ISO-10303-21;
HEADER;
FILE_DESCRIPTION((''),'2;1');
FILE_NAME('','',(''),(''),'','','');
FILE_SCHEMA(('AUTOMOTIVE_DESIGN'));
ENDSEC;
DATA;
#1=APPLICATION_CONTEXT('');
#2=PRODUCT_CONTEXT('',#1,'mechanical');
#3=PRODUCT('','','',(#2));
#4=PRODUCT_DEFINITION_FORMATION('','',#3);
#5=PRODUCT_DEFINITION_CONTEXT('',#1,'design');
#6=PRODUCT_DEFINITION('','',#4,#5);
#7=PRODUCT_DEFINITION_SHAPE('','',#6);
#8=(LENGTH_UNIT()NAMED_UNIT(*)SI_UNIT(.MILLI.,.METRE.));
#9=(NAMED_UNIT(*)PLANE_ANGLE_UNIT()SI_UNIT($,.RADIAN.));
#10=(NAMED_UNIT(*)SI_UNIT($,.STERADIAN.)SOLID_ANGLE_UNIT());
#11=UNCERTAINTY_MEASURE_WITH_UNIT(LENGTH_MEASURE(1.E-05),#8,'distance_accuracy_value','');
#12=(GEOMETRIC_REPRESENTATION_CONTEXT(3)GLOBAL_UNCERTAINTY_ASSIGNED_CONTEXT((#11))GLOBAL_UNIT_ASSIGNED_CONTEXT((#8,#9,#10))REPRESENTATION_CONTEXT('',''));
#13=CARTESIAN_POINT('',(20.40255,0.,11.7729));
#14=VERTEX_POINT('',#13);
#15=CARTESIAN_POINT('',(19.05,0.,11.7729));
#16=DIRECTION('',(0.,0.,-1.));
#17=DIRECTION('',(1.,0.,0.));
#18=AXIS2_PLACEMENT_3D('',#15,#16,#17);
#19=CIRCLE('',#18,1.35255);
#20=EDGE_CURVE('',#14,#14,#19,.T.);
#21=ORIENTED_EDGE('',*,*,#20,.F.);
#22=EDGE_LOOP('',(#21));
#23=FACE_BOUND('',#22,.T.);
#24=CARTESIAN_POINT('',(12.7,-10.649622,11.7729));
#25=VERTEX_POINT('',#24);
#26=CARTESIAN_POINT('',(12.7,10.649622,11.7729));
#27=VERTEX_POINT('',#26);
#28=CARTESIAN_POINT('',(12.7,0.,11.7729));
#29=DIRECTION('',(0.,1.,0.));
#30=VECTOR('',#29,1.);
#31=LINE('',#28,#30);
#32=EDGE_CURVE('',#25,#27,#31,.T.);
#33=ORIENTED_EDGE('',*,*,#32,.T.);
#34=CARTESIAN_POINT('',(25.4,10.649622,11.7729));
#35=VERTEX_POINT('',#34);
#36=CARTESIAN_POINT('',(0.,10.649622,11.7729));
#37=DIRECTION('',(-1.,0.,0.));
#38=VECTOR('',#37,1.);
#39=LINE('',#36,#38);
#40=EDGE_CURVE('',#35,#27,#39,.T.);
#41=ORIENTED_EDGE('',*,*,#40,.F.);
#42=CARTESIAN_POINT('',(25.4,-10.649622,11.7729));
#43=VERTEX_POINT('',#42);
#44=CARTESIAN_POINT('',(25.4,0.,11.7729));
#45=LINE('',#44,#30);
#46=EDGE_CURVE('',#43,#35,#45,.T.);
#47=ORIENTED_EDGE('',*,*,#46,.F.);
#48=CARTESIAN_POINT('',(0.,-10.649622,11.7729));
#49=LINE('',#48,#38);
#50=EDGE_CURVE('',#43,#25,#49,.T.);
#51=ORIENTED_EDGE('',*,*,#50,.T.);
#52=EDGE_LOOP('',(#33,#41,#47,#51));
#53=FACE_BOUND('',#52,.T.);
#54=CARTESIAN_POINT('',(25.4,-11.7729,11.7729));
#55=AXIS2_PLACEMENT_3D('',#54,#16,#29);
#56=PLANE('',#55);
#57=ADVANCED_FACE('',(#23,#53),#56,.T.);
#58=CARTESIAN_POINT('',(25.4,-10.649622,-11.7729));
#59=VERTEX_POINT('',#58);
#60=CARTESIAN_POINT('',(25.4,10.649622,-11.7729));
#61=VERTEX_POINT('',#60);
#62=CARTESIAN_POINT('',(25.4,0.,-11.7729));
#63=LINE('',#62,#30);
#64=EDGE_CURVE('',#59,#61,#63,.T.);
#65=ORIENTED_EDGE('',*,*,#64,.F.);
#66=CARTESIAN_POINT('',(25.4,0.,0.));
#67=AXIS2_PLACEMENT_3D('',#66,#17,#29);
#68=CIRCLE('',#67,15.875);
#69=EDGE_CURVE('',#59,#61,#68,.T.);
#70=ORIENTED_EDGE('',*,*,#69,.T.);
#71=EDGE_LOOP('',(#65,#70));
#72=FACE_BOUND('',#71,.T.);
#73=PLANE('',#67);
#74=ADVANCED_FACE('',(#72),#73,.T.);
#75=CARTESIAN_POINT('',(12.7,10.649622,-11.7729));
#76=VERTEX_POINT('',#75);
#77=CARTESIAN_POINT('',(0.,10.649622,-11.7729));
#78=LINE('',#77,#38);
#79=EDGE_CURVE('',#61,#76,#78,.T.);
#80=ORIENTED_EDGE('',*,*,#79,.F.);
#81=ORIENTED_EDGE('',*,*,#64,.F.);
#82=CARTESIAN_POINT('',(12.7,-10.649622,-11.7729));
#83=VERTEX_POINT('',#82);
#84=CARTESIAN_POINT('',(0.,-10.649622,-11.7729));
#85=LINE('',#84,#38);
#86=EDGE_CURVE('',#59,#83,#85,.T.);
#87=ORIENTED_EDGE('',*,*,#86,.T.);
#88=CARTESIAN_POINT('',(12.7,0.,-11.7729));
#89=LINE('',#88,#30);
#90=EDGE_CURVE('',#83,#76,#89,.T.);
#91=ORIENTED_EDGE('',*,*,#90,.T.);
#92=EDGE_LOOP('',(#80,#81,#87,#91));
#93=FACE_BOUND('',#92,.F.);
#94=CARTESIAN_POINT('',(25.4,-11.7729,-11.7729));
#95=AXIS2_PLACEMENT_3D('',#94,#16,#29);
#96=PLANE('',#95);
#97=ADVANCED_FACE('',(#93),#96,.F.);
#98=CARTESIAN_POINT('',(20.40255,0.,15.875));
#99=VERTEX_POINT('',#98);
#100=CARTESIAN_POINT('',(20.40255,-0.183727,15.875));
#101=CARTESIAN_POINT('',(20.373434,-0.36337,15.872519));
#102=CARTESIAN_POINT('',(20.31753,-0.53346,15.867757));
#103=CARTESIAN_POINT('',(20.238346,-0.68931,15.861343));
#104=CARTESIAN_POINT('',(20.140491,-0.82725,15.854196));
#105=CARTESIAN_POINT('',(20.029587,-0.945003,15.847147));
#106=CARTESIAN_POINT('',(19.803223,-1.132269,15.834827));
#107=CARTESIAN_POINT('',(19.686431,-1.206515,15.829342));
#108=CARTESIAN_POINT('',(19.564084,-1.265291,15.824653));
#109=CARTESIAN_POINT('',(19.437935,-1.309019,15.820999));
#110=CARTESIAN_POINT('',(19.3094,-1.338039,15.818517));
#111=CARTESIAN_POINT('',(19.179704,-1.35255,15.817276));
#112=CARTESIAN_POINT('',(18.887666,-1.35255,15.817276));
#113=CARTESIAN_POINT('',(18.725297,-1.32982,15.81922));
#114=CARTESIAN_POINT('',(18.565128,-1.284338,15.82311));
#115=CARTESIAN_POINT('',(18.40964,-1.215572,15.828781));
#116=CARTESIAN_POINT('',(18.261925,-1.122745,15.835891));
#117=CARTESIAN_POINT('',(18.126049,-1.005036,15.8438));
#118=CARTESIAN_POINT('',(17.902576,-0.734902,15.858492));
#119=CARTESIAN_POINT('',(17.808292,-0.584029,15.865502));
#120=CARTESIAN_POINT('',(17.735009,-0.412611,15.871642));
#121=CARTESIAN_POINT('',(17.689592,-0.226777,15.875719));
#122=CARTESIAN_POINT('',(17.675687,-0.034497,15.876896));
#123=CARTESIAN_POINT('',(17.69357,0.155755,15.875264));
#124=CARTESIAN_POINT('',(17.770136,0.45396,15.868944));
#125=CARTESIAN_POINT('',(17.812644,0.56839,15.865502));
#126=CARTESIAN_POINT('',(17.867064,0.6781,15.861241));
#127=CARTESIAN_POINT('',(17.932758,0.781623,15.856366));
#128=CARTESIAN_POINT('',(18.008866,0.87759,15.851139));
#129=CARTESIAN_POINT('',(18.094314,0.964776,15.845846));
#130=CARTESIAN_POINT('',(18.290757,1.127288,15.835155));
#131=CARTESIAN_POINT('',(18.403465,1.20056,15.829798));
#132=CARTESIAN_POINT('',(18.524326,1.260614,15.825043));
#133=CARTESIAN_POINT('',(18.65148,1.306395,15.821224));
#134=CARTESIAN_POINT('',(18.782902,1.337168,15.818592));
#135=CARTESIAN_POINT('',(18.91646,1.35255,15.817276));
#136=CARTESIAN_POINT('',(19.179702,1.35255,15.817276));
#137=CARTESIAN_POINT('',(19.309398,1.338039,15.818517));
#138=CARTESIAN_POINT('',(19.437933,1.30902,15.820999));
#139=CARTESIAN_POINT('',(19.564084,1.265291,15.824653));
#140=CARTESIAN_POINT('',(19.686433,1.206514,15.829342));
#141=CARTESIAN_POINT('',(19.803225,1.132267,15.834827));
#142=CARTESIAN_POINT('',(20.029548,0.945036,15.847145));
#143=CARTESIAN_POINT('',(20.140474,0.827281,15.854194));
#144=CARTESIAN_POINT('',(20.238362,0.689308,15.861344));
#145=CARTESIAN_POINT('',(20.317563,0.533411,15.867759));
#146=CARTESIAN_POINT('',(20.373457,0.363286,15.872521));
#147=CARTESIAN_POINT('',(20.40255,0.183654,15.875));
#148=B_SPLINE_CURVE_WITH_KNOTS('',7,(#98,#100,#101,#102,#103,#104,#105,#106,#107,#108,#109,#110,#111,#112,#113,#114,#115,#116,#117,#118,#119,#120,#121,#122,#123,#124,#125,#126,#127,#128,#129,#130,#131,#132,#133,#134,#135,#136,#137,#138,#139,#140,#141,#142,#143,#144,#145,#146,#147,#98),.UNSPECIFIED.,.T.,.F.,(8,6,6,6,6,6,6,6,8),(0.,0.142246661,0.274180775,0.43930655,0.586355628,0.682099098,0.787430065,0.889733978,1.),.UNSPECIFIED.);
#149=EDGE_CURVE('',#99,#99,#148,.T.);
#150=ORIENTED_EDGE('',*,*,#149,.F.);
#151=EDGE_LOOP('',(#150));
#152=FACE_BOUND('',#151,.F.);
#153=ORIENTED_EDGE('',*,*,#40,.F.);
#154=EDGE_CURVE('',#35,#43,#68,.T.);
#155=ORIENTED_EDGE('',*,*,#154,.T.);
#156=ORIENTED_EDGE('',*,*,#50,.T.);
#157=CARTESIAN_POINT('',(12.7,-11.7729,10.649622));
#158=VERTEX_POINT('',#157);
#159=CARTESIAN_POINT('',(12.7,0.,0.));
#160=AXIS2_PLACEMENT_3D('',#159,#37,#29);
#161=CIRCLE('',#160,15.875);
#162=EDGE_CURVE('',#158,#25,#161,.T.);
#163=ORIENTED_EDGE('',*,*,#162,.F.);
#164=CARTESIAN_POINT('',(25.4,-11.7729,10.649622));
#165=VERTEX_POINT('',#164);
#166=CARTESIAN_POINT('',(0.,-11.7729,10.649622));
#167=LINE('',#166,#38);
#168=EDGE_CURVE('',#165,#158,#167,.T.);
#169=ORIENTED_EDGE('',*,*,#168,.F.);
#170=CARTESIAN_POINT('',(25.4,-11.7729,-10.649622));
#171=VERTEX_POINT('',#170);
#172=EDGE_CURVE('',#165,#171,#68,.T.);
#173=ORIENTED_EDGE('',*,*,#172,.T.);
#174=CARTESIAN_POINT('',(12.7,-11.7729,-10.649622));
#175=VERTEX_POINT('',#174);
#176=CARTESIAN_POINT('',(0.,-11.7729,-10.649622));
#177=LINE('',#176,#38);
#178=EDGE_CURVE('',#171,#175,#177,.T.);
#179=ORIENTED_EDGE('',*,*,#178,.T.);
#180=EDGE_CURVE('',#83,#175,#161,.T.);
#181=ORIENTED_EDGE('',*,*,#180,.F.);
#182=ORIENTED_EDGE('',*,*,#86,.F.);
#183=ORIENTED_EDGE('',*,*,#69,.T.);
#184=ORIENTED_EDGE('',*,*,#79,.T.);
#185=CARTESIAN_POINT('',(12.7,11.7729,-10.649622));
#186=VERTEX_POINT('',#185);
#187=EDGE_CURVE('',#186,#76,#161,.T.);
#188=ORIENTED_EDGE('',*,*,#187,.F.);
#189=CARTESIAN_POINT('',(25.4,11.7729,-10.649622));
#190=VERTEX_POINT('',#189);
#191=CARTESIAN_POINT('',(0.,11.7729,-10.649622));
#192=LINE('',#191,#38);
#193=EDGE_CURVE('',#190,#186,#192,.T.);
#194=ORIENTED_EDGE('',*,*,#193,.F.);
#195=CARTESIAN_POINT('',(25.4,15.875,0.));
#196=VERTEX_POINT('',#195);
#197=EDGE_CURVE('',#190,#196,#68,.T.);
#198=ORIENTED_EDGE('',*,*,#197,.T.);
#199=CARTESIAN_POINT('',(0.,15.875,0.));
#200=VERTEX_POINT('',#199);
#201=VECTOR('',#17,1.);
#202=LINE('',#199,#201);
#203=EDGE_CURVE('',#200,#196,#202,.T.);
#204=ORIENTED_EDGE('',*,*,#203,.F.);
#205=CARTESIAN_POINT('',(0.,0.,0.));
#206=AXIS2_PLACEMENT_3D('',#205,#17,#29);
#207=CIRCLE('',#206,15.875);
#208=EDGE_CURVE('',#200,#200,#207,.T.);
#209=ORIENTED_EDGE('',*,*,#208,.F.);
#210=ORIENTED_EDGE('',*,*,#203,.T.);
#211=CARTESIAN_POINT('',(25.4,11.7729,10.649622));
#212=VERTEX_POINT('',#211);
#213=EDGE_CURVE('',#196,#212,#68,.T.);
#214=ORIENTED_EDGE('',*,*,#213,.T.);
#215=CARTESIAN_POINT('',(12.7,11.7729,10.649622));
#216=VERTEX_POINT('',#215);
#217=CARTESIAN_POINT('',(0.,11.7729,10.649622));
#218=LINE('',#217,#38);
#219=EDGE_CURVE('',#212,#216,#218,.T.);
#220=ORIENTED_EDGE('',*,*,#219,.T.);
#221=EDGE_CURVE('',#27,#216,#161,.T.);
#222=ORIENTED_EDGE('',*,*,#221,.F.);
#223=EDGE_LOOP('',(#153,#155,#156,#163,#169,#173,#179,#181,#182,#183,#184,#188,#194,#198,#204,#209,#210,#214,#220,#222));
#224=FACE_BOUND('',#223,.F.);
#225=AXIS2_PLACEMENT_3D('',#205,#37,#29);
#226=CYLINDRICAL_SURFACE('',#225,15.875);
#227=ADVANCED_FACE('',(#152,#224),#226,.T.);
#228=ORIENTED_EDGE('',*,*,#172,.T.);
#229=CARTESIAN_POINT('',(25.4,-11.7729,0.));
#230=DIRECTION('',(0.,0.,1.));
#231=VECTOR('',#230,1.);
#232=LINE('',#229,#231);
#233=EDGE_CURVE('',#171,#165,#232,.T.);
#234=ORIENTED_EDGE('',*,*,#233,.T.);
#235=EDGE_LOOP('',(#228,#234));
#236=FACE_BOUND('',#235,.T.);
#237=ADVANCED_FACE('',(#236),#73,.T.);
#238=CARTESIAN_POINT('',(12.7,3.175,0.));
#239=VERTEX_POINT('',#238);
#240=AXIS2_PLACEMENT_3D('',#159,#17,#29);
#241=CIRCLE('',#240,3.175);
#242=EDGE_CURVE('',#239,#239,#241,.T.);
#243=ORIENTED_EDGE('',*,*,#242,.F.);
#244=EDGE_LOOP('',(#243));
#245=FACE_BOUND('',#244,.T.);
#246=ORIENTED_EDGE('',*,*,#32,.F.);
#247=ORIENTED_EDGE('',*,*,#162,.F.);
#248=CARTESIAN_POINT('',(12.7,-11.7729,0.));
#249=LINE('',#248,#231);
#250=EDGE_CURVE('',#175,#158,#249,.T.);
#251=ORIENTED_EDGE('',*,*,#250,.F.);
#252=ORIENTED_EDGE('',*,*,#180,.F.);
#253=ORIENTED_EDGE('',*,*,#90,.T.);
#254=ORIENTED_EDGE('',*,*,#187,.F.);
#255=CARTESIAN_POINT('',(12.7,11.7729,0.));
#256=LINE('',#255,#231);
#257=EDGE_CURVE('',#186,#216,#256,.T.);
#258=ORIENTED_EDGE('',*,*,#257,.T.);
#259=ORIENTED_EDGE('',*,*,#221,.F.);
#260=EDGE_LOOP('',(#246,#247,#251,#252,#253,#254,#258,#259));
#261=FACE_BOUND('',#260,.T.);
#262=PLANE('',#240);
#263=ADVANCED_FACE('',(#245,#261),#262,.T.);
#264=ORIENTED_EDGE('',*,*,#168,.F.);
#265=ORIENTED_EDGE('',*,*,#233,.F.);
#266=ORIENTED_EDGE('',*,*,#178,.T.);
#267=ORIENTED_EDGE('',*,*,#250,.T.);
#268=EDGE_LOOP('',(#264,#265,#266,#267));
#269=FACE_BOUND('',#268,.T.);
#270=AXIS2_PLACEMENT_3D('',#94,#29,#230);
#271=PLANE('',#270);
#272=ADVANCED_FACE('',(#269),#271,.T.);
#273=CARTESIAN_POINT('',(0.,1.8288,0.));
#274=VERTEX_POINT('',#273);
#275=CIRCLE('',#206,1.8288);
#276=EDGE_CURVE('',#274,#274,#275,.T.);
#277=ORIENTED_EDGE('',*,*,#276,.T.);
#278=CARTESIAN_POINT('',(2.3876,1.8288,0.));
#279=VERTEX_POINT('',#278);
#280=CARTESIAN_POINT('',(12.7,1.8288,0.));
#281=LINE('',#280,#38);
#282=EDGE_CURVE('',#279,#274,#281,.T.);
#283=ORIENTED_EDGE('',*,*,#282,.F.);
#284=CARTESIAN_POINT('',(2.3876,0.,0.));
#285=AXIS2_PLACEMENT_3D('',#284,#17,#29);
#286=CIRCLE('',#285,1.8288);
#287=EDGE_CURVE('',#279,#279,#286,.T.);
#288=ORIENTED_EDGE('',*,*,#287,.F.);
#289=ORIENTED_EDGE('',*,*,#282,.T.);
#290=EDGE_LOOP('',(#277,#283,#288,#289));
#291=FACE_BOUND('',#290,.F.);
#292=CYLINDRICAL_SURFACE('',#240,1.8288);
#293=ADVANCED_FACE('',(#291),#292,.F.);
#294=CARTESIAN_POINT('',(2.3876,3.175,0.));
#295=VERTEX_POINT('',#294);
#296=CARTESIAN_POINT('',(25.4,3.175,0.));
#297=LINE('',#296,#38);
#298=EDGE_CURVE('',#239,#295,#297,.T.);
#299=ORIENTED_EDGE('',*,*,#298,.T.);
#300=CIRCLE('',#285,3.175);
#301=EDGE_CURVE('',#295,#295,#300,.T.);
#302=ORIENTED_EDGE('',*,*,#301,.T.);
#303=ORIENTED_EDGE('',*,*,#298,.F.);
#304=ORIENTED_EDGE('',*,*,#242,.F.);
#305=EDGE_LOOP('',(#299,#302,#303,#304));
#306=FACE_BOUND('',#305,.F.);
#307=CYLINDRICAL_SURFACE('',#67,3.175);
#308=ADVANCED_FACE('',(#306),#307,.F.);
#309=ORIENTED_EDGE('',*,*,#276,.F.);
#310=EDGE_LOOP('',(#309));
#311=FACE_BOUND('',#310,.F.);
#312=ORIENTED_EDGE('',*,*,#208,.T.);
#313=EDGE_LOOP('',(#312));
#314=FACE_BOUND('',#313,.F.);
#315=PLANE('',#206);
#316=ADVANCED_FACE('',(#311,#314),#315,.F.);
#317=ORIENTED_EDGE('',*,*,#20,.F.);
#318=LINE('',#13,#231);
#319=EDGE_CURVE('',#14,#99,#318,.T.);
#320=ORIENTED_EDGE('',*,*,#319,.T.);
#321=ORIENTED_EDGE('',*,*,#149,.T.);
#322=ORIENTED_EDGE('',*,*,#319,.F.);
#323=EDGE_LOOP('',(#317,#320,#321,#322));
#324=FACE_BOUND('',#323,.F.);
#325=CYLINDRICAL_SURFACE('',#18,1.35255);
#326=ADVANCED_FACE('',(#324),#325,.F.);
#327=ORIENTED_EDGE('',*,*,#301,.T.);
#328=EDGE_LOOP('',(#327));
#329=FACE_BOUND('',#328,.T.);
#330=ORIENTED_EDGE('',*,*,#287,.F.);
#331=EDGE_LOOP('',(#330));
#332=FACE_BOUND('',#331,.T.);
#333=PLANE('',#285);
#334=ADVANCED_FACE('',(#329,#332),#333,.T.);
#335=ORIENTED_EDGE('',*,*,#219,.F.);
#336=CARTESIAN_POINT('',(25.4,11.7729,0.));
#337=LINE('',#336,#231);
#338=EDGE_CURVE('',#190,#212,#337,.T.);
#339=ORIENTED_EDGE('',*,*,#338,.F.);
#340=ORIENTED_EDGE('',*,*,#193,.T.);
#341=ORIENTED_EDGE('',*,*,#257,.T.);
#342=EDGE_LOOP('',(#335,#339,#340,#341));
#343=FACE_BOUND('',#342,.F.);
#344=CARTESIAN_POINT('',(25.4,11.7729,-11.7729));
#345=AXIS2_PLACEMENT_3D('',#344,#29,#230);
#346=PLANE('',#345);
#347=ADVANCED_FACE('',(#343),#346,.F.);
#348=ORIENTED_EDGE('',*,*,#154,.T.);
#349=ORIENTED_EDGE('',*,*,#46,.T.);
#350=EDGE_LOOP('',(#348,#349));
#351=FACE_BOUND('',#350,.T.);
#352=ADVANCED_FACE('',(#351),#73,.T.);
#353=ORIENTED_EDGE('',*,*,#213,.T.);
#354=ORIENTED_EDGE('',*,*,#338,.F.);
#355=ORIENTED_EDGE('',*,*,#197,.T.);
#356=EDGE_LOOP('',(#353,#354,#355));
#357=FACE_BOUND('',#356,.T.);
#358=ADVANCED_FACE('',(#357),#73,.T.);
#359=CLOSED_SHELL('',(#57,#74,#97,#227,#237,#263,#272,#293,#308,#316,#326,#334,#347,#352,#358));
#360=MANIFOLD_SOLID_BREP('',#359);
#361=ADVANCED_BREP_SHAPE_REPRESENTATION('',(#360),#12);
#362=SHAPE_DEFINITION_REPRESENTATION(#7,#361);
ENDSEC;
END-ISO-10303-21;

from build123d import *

# Parameters (mm, degrees)
F0_R     = 15.875
F1_DEPTH = 25.4
F2_W     = 23.5458
F2_H     = 23.5458
F3_DEPTH = 12.7
F4_R     = 3.175
F5_DEPTH = 23.0124
F6_R     = 1.8288
F7_DEPTH = 12.701
F8_R     = 1.35255
F9_DEPTH = 4.1031


with BuildPart() as f1:
    # F0 (on Right) → F1 (new body)
    with BuildSketch(Plane.YZ):
        Circle(F0_R)
    extrude(amount=F1_DEPTH)

    # F2 (on face) → F3 (cut)
    with BuildSketch(Plane.YZ.offset(25.4)):
        Rectangle(F2_W, F2_H)
    extrude(amount=-F3_DEPTH, mode=Mode.SUBTRACT)

    # F4 (on face) → F5 (cut)
    with BuildSketch(Plane.YZ.offset(25.4)):
        Circle(F4_R)
    extrude(amount=-F5_DEPTH, mode=Mode.SUBTRACT)

    # F6 (on face) → F7 (cut, through all)
    with BuildSketch(Plane.YZ.offset(12.7)):
        Circle(F6_R)
    extrude(amount=-F7_DEPTH, mode=Mode.SUBTRACT)

    # F8 (on face) → F9 (cut, through all)
    with BuildSketch(Plane(origin=(0, 0, 11.7729), x_dir=(1, 0, 0), z_dir=(0, 0, -1))):
        with Locations((19.05, 0)):
            Circle(F8_R)
    extrude(amount=-F9_DEPTH, mode=Mode.SUBTRACT)


solid = f1.part
